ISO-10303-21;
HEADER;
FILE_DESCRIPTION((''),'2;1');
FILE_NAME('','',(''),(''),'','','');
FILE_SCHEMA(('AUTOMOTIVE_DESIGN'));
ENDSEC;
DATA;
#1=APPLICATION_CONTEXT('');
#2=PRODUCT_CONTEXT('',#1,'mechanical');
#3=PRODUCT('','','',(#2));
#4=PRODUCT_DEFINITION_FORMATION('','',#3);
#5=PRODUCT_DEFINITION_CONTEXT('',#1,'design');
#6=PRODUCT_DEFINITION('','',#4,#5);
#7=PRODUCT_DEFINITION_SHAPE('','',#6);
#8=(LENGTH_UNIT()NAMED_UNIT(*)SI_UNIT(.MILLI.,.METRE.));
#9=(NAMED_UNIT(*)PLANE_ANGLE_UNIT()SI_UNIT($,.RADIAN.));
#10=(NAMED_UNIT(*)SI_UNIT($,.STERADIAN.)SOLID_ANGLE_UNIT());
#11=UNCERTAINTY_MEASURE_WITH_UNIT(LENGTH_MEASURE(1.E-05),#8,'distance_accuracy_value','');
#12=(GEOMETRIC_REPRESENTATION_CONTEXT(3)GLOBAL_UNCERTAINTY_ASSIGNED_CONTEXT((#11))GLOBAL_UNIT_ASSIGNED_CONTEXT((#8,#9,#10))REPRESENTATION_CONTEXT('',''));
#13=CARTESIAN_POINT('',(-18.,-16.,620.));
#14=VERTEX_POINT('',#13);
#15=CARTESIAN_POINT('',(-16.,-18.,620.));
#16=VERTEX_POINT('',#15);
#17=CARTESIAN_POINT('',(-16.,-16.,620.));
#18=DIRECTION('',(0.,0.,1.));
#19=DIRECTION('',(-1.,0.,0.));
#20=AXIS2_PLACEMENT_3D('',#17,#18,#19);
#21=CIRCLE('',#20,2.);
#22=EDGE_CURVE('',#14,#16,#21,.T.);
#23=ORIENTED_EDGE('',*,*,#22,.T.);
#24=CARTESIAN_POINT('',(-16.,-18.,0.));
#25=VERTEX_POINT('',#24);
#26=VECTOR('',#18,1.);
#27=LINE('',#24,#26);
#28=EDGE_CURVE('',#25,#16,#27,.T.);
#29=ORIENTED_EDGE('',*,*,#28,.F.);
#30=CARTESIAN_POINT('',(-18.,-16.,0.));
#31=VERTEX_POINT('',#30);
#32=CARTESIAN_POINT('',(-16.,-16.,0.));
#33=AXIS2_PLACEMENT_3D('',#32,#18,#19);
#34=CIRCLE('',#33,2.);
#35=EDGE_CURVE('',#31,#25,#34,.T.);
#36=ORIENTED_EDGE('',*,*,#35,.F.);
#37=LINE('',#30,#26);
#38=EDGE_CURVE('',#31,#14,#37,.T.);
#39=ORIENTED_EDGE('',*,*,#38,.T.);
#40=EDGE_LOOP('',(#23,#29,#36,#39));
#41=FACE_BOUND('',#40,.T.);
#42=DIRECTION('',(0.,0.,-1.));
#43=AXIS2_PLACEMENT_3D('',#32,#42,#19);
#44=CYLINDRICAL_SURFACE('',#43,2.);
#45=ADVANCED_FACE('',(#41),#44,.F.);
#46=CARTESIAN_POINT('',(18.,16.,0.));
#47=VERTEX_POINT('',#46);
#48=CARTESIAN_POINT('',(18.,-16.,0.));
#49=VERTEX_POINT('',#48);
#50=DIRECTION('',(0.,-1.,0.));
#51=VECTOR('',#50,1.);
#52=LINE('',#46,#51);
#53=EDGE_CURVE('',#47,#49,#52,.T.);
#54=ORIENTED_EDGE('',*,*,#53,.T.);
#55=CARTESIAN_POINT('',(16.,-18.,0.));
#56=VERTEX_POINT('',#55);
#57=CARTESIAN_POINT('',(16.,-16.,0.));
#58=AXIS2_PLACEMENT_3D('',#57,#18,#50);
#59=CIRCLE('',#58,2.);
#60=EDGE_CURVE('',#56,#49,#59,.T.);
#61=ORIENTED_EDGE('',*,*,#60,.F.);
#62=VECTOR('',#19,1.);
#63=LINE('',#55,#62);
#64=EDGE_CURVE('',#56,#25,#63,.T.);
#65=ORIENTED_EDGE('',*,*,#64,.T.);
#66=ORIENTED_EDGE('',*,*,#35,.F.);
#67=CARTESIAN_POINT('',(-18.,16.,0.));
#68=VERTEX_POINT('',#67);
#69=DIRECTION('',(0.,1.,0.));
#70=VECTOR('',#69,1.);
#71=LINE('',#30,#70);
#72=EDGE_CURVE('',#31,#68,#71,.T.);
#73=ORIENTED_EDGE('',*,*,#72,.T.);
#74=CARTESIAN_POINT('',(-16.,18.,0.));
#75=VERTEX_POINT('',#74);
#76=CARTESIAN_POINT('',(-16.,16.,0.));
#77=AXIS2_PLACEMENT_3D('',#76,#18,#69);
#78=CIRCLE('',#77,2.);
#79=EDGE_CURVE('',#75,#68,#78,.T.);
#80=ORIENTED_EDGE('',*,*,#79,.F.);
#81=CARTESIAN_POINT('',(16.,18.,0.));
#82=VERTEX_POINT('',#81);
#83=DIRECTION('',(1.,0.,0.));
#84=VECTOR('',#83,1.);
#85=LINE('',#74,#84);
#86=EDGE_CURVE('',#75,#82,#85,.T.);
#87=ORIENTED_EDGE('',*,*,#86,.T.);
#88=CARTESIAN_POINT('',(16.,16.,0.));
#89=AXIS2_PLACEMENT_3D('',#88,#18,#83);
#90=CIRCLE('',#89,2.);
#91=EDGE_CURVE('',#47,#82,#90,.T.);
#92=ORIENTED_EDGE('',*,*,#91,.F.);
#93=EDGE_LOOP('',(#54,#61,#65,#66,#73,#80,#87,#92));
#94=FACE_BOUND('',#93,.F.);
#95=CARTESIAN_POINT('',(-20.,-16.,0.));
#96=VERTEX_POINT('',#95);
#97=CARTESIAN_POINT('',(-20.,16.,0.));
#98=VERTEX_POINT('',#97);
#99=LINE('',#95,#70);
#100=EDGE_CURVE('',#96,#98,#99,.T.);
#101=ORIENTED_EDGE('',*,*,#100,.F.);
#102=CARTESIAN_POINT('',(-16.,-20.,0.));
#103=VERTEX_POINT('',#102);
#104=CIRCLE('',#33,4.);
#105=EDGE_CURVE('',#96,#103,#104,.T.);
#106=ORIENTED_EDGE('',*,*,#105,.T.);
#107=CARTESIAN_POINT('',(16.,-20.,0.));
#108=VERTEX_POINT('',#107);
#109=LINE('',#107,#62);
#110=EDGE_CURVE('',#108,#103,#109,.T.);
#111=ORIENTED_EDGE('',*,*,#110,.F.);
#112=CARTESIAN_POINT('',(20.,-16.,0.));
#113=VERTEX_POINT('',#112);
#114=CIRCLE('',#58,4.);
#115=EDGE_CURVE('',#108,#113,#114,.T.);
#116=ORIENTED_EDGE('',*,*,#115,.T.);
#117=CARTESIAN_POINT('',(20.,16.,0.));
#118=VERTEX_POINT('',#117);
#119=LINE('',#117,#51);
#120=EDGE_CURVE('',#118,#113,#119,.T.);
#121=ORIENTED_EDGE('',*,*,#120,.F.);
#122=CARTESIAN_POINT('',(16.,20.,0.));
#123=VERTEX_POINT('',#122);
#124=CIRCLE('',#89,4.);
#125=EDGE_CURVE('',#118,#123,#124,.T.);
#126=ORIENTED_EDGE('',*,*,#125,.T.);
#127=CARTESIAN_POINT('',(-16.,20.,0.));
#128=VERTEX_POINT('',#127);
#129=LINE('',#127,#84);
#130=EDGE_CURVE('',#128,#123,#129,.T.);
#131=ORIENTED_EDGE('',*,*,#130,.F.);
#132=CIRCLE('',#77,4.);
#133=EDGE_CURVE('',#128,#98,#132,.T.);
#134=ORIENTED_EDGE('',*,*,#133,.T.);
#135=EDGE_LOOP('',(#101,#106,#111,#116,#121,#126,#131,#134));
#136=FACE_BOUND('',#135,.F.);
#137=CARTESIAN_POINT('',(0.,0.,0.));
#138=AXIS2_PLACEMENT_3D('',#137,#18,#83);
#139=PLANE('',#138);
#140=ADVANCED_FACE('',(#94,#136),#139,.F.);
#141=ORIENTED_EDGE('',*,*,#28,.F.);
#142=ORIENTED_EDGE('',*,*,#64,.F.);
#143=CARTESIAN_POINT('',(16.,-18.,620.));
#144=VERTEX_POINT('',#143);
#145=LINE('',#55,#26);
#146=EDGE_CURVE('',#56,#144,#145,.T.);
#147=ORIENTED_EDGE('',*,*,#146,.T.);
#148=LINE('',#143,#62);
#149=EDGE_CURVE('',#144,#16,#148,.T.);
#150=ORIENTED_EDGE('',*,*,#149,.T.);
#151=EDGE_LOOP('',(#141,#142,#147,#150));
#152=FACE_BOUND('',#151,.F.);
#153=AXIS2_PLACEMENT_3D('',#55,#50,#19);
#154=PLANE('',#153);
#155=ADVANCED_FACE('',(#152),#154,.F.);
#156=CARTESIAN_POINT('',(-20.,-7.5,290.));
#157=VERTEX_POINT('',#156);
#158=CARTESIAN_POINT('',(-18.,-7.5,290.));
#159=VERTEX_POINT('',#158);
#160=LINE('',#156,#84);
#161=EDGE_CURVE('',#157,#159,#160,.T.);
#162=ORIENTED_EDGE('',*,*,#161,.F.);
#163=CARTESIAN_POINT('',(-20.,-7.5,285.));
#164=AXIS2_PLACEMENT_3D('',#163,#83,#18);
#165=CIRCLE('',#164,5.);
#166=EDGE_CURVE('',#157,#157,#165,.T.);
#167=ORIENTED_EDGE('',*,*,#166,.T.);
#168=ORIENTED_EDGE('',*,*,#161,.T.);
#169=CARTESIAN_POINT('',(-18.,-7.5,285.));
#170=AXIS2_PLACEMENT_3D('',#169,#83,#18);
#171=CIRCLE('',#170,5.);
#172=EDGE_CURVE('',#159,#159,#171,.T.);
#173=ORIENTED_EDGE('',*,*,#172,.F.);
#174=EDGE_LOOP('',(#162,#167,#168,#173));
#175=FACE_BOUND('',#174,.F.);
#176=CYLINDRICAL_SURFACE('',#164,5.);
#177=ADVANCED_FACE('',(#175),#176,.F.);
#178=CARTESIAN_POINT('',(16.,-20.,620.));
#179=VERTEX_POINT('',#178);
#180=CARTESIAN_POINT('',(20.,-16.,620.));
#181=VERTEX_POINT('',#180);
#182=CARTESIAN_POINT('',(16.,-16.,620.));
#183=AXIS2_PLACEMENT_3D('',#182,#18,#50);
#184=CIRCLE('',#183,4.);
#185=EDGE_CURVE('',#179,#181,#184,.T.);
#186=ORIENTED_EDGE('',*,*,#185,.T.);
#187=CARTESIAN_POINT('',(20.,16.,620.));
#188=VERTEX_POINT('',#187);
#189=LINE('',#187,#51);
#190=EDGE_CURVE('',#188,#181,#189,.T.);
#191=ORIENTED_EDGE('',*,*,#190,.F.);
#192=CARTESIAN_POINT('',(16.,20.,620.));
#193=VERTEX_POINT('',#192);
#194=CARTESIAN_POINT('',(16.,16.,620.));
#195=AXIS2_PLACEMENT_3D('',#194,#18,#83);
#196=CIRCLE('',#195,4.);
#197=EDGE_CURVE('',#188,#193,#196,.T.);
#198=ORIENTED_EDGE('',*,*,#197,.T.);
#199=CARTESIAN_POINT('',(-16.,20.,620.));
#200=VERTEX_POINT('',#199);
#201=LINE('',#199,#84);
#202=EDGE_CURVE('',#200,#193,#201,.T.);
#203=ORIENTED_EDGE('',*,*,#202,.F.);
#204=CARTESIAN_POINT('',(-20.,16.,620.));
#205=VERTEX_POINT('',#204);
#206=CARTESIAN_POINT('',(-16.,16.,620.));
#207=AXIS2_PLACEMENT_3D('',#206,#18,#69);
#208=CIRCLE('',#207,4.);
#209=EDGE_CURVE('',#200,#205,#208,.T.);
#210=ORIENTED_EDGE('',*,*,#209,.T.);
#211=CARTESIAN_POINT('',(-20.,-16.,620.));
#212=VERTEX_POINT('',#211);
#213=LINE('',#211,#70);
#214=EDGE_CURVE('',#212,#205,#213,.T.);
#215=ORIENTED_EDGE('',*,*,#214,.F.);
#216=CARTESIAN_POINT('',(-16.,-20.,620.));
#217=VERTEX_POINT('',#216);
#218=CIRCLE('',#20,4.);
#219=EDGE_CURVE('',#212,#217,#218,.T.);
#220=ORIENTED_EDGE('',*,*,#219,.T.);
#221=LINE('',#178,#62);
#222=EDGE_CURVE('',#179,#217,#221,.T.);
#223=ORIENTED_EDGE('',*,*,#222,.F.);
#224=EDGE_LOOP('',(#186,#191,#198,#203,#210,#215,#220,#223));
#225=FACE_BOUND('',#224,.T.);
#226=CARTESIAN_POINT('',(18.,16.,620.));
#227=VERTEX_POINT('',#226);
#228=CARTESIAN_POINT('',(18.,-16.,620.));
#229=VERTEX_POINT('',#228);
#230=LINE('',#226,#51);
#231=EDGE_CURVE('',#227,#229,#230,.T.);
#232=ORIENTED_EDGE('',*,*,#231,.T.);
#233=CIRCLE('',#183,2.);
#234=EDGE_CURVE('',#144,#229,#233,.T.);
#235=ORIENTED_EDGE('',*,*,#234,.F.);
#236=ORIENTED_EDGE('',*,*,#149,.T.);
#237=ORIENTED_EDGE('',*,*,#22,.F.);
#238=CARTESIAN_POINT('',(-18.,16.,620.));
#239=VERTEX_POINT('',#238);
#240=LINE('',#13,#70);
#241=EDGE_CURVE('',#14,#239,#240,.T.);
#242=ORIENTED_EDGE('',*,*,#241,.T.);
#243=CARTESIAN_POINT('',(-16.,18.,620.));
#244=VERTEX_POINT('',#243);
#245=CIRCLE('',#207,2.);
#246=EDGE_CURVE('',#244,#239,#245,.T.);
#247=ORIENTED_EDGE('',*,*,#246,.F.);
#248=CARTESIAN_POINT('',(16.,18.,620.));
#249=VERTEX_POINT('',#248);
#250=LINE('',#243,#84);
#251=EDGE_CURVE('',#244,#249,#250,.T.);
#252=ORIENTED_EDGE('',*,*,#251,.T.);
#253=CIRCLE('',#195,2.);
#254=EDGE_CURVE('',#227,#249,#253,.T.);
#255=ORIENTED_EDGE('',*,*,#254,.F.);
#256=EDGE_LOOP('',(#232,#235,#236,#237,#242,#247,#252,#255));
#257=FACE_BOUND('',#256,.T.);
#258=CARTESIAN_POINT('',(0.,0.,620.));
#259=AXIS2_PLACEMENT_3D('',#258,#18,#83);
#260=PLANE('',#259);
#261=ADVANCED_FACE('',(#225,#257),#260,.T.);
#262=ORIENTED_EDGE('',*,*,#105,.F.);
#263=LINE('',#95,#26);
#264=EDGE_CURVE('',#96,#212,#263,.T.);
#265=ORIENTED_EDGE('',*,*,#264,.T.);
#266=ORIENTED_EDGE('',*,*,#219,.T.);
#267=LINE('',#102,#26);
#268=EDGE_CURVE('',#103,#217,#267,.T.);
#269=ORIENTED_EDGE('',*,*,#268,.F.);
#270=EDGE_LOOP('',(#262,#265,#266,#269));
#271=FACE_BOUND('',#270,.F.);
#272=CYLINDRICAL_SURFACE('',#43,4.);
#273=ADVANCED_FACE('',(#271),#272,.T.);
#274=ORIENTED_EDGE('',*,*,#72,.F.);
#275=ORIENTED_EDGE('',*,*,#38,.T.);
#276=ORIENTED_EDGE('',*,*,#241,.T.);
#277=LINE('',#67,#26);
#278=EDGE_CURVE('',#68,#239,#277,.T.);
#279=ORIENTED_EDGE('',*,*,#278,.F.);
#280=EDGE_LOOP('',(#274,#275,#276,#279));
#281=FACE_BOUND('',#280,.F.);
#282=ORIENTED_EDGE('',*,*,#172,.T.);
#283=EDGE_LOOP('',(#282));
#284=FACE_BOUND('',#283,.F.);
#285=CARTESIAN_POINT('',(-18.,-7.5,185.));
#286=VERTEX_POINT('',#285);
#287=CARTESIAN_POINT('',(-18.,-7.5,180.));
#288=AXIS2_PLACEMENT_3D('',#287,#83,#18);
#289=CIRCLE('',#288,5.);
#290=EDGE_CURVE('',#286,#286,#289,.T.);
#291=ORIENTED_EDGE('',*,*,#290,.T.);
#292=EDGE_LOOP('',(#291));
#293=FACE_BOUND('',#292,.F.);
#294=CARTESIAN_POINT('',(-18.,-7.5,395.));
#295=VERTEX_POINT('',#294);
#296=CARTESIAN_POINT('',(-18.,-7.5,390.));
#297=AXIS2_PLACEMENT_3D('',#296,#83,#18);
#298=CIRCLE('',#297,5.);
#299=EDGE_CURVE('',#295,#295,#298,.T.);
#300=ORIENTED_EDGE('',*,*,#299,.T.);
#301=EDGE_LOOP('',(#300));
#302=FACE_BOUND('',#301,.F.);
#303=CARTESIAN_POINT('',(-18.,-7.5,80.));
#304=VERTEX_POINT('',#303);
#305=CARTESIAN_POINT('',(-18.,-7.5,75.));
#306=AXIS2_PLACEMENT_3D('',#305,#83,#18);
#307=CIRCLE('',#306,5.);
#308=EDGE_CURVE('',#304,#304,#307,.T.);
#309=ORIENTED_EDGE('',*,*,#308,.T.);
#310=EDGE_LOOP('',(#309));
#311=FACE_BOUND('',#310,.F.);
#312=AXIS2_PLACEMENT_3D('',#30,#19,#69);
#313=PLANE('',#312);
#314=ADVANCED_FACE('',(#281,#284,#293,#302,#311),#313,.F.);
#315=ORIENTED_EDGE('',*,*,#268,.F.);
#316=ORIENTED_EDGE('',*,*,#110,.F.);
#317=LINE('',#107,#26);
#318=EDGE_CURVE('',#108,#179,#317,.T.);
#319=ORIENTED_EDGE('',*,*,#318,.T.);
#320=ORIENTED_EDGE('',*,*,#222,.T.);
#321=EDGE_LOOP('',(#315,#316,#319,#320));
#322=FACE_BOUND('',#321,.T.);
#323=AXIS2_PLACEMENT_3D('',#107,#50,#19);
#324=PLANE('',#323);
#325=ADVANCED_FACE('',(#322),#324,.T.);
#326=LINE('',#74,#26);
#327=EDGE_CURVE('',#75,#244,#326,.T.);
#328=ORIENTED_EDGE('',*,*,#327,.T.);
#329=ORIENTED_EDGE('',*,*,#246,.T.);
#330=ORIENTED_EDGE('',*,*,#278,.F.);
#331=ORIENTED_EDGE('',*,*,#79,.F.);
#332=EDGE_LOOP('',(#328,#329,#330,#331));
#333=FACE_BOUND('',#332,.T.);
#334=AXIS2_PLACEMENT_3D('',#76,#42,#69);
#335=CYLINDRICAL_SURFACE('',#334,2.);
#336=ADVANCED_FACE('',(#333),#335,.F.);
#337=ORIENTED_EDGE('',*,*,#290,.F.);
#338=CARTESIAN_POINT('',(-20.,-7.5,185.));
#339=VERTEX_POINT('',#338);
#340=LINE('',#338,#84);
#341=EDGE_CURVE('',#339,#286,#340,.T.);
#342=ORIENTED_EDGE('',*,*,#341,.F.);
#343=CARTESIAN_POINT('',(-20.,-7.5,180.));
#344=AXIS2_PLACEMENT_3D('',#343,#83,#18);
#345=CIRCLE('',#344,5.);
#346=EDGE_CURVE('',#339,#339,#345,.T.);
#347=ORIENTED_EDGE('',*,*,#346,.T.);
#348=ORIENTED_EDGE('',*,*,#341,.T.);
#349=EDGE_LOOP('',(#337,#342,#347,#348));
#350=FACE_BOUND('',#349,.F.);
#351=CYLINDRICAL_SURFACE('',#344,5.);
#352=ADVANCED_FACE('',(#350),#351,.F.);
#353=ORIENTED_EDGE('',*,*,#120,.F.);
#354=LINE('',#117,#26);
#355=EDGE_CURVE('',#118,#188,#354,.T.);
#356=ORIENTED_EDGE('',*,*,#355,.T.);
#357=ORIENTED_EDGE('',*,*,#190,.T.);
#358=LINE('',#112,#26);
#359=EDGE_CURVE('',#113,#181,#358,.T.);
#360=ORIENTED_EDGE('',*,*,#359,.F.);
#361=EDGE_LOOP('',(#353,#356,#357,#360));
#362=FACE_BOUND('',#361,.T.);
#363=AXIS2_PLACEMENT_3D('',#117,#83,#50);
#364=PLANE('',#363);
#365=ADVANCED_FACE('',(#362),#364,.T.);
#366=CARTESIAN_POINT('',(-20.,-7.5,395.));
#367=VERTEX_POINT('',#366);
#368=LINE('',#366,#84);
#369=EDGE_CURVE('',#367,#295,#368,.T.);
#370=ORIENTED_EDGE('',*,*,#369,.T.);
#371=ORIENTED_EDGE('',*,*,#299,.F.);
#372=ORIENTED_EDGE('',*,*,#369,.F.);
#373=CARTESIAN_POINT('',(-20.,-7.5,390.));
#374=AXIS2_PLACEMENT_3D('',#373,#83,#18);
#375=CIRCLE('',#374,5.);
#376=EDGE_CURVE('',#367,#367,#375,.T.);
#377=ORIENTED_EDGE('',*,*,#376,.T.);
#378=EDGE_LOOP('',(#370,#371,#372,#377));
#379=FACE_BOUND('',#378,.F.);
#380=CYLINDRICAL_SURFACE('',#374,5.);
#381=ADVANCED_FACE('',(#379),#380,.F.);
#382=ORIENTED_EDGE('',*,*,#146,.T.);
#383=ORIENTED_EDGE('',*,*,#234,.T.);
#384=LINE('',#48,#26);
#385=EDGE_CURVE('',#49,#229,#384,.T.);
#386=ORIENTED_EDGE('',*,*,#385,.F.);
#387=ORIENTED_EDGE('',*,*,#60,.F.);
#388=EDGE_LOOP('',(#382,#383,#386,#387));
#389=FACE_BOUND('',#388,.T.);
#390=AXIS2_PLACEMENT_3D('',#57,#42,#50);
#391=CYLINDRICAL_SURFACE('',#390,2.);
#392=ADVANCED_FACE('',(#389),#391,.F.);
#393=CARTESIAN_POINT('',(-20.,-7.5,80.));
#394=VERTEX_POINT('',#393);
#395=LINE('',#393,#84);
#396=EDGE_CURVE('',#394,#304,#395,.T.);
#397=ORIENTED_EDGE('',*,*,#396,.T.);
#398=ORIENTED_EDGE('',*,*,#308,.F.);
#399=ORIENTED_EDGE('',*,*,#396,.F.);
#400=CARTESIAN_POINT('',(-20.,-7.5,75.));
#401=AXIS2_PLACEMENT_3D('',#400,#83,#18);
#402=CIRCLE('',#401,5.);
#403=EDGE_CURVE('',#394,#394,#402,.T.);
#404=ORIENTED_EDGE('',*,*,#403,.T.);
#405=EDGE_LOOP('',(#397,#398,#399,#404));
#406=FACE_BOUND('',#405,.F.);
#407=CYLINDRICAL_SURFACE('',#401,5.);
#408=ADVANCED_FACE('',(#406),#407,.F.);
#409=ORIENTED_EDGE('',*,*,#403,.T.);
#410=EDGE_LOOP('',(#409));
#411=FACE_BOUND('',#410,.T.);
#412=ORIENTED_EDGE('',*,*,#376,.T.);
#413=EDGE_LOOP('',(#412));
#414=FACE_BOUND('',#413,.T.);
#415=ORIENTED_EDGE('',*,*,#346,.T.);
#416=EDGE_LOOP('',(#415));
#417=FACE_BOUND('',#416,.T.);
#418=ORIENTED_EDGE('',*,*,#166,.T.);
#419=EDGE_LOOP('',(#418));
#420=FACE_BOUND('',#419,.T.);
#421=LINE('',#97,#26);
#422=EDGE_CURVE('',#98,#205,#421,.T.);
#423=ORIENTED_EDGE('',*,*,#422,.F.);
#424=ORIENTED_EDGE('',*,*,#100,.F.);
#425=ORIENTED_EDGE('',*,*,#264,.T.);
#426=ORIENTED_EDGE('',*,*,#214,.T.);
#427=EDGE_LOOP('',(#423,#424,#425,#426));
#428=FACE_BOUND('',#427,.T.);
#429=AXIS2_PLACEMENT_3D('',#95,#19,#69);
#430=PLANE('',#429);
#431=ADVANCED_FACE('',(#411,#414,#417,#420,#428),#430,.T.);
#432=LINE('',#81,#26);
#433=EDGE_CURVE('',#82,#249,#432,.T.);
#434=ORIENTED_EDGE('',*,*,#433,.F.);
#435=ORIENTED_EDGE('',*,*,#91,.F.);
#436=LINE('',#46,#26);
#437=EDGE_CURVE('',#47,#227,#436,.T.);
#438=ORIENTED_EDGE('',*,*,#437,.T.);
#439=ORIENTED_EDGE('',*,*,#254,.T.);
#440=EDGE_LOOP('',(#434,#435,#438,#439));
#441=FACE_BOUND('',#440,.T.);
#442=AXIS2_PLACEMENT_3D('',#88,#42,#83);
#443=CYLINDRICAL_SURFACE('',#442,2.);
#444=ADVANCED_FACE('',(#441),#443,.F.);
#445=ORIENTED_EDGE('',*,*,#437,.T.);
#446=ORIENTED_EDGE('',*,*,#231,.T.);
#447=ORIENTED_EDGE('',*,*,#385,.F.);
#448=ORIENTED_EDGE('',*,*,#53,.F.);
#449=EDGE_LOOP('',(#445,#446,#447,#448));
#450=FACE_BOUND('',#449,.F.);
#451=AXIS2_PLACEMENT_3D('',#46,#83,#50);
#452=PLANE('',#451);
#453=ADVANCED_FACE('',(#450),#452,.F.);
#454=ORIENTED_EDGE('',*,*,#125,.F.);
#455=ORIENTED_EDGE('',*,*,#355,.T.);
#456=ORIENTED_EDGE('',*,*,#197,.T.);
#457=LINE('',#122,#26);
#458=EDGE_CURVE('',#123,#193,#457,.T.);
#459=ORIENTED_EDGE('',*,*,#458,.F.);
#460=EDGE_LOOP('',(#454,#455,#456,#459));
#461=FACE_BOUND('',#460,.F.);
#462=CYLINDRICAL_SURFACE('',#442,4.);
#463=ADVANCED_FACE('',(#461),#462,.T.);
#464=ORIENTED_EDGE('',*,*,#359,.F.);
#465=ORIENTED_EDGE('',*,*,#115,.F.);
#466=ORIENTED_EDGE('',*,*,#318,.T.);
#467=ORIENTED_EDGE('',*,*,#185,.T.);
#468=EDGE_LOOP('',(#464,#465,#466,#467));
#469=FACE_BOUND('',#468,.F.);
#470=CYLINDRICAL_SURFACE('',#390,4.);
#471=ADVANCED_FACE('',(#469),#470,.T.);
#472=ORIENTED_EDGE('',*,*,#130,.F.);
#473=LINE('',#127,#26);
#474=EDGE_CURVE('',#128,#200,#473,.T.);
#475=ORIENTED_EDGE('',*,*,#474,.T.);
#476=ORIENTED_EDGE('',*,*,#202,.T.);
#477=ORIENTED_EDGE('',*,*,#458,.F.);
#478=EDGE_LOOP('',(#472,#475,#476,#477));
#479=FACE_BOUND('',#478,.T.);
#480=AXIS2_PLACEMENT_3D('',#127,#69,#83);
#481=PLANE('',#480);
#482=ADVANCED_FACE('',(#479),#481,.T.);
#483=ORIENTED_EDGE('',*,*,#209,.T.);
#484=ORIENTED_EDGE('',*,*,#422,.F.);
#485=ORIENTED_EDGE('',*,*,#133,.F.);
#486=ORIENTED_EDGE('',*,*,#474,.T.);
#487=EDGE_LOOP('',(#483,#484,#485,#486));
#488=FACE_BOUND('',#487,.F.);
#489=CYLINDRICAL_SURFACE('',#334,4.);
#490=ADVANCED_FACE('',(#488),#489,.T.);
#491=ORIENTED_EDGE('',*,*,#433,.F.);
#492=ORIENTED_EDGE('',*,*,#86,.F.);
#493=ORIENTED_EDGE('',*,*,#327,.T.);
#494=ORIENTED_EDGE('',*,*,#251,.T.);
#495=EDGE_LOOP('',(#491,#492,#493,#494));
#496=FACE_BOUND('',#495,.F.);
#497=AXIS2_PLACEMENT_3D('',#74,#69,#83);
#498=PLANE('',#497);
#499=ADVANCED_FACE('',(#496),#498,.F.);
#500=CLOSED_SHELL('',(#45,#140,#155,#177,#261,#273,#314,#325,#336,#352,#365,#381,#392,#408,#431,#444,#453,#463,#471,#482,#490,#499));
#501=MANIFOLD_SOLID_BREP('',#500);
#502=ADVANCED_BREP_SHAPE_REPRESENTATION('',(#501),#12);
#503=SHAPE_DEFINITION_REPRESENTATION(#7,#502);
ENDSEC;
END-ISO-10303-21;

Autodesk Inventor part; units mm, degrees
ref_plane "YZ Plane" through (0, 0, 0) normal (1, 0, 0) x (0, 1, 0)
ref_plane "Piano iniziale" through (0, 0, 0) normal (0, 0, 1) x (1, 0, 0)
ref_plane "Piano finale" through (0, 0, 620) normal (0, 0, 1) x (1, 0, 0)
sketch "Schizzo" plane through (0, 0, 0) normal (0, 0, 1) x (1, 0, 0)
  line L0 (-20, -16) -> (-20, 16)
  line L1 (-16, 20) -> (16, 20)
  line L2 (20, 16) -> (20, -16)
  line L3 (16, -20) -> (-16, -20)
  arc A0 (-20, -16) -> (-16, -20) centre (-16, -16) ccw
  arc A1 (20, 16) -> (16, 20) centre (16, 16) ccw
  arc A2 (-16, 20) -> (-20, 16) centre (-16, 16) ccw
  arc A3 (16, -20) -> (20, -16) centre (16, -16) ccw
  arc A4 (-16, 18) -> (-18, 16) centre (-16, 16) ccw
  line L4 (-16, 18) -> (16, 18)
  arc A5 (18, 16) -> (16, 18) centre (16, 16) ccw
  line L5 (18, 16) -> (18, -16)
  arc A6 (16, -18) -> (18, -16) centre (16, -16) ccw
  line L6 (16, -18) -> (-16, -18)
  arc A7 (-18, -16) -> (-16, -18) centre (-16, -16) ccw
  line L7 (-18, -16) -> (-18, 16)
  line L8 (0, 29.1598) -> (0, -29.1598) construction
  line L9 (-29.1598, 0) -> (29.1598, 0) construction
  dimension "d7" = 4
  dimension "d9" = 40
  dimension "d11" = 40
  dimension "d12" = 2
  dimension "d15" = 20
  dimension "d16" = 20
extrude "Corpo" add sketch "Schizzo" along normal up to surface (620 mm away) from surface at 0
sketch "Sketch3" plane through (0, 0, 0) normal (0, 0, 1) x (1, 0, 0)
  line L0 (0, 0) -> (10, 0)
ref_plane "Work Plane3" through (0, 0, 0) normal (0, -1, 0) x (1, 0, 0)
sketch "Sketch4" plane through (0, 0, 0) normal (0, -1, 0) x (1, 0, 0)
  line L0 (-2, 0) -> (12, 0)
  line L1 (-2, 620) -> (12, 620)
  dimension "d18" = 620
sketch "Schizzo5" plane through (-20, 16, 0) normal (-1, 0, 0) x (0, 0, 1)
  line L0 (0, -36) -> (620, -36) projected
  line L1 (0, -32) -> (0, 0) projected
  point P0 (0, -16)
  point P1 (75, -23.5)
  point P2 (285, -23.5)
  point P3 (390, -23.5)
  point P4 (180, -23.5)
  dimension "d22" = 105
  dimension "d30" = 12.5
  dimension "d31" = 75
  dimension "d32" = 105
  dimension "d33" = 105
hole "Foro1" at (-20, -7.5, 75) at (-20, -7.5, 285) at (-20, -7.5, 390) at (-20, -7.5, 180) direction (1, 0, 0) diameter 10 depth 5 tip angle 118
equation "\"d7\" = G_IR"
equation "\"d9\" = G_W"
equation "\"d11\" = G_H"
equation "\"d12\" = G_T"
equation "\"d15\" = 0.5 * d9"
equation "\"d16\" = 0.5 * d11"
equation "\"d3\" = G_L"
equation "\"G_W\" = 40"
equation "\"G_H\" = 40"
equation "\"G_T\" = 2"
equation "\"G_IR\" = 4"
equation "\"G_L\" = d18"
equation "\"G_OFFSET_START\" = 0"
equation "\"G_OFFSET_END\" = 0"
properties part number "ISO 10799-2 - 40x40x2 - 620" material "Acciaio, Dolce"
